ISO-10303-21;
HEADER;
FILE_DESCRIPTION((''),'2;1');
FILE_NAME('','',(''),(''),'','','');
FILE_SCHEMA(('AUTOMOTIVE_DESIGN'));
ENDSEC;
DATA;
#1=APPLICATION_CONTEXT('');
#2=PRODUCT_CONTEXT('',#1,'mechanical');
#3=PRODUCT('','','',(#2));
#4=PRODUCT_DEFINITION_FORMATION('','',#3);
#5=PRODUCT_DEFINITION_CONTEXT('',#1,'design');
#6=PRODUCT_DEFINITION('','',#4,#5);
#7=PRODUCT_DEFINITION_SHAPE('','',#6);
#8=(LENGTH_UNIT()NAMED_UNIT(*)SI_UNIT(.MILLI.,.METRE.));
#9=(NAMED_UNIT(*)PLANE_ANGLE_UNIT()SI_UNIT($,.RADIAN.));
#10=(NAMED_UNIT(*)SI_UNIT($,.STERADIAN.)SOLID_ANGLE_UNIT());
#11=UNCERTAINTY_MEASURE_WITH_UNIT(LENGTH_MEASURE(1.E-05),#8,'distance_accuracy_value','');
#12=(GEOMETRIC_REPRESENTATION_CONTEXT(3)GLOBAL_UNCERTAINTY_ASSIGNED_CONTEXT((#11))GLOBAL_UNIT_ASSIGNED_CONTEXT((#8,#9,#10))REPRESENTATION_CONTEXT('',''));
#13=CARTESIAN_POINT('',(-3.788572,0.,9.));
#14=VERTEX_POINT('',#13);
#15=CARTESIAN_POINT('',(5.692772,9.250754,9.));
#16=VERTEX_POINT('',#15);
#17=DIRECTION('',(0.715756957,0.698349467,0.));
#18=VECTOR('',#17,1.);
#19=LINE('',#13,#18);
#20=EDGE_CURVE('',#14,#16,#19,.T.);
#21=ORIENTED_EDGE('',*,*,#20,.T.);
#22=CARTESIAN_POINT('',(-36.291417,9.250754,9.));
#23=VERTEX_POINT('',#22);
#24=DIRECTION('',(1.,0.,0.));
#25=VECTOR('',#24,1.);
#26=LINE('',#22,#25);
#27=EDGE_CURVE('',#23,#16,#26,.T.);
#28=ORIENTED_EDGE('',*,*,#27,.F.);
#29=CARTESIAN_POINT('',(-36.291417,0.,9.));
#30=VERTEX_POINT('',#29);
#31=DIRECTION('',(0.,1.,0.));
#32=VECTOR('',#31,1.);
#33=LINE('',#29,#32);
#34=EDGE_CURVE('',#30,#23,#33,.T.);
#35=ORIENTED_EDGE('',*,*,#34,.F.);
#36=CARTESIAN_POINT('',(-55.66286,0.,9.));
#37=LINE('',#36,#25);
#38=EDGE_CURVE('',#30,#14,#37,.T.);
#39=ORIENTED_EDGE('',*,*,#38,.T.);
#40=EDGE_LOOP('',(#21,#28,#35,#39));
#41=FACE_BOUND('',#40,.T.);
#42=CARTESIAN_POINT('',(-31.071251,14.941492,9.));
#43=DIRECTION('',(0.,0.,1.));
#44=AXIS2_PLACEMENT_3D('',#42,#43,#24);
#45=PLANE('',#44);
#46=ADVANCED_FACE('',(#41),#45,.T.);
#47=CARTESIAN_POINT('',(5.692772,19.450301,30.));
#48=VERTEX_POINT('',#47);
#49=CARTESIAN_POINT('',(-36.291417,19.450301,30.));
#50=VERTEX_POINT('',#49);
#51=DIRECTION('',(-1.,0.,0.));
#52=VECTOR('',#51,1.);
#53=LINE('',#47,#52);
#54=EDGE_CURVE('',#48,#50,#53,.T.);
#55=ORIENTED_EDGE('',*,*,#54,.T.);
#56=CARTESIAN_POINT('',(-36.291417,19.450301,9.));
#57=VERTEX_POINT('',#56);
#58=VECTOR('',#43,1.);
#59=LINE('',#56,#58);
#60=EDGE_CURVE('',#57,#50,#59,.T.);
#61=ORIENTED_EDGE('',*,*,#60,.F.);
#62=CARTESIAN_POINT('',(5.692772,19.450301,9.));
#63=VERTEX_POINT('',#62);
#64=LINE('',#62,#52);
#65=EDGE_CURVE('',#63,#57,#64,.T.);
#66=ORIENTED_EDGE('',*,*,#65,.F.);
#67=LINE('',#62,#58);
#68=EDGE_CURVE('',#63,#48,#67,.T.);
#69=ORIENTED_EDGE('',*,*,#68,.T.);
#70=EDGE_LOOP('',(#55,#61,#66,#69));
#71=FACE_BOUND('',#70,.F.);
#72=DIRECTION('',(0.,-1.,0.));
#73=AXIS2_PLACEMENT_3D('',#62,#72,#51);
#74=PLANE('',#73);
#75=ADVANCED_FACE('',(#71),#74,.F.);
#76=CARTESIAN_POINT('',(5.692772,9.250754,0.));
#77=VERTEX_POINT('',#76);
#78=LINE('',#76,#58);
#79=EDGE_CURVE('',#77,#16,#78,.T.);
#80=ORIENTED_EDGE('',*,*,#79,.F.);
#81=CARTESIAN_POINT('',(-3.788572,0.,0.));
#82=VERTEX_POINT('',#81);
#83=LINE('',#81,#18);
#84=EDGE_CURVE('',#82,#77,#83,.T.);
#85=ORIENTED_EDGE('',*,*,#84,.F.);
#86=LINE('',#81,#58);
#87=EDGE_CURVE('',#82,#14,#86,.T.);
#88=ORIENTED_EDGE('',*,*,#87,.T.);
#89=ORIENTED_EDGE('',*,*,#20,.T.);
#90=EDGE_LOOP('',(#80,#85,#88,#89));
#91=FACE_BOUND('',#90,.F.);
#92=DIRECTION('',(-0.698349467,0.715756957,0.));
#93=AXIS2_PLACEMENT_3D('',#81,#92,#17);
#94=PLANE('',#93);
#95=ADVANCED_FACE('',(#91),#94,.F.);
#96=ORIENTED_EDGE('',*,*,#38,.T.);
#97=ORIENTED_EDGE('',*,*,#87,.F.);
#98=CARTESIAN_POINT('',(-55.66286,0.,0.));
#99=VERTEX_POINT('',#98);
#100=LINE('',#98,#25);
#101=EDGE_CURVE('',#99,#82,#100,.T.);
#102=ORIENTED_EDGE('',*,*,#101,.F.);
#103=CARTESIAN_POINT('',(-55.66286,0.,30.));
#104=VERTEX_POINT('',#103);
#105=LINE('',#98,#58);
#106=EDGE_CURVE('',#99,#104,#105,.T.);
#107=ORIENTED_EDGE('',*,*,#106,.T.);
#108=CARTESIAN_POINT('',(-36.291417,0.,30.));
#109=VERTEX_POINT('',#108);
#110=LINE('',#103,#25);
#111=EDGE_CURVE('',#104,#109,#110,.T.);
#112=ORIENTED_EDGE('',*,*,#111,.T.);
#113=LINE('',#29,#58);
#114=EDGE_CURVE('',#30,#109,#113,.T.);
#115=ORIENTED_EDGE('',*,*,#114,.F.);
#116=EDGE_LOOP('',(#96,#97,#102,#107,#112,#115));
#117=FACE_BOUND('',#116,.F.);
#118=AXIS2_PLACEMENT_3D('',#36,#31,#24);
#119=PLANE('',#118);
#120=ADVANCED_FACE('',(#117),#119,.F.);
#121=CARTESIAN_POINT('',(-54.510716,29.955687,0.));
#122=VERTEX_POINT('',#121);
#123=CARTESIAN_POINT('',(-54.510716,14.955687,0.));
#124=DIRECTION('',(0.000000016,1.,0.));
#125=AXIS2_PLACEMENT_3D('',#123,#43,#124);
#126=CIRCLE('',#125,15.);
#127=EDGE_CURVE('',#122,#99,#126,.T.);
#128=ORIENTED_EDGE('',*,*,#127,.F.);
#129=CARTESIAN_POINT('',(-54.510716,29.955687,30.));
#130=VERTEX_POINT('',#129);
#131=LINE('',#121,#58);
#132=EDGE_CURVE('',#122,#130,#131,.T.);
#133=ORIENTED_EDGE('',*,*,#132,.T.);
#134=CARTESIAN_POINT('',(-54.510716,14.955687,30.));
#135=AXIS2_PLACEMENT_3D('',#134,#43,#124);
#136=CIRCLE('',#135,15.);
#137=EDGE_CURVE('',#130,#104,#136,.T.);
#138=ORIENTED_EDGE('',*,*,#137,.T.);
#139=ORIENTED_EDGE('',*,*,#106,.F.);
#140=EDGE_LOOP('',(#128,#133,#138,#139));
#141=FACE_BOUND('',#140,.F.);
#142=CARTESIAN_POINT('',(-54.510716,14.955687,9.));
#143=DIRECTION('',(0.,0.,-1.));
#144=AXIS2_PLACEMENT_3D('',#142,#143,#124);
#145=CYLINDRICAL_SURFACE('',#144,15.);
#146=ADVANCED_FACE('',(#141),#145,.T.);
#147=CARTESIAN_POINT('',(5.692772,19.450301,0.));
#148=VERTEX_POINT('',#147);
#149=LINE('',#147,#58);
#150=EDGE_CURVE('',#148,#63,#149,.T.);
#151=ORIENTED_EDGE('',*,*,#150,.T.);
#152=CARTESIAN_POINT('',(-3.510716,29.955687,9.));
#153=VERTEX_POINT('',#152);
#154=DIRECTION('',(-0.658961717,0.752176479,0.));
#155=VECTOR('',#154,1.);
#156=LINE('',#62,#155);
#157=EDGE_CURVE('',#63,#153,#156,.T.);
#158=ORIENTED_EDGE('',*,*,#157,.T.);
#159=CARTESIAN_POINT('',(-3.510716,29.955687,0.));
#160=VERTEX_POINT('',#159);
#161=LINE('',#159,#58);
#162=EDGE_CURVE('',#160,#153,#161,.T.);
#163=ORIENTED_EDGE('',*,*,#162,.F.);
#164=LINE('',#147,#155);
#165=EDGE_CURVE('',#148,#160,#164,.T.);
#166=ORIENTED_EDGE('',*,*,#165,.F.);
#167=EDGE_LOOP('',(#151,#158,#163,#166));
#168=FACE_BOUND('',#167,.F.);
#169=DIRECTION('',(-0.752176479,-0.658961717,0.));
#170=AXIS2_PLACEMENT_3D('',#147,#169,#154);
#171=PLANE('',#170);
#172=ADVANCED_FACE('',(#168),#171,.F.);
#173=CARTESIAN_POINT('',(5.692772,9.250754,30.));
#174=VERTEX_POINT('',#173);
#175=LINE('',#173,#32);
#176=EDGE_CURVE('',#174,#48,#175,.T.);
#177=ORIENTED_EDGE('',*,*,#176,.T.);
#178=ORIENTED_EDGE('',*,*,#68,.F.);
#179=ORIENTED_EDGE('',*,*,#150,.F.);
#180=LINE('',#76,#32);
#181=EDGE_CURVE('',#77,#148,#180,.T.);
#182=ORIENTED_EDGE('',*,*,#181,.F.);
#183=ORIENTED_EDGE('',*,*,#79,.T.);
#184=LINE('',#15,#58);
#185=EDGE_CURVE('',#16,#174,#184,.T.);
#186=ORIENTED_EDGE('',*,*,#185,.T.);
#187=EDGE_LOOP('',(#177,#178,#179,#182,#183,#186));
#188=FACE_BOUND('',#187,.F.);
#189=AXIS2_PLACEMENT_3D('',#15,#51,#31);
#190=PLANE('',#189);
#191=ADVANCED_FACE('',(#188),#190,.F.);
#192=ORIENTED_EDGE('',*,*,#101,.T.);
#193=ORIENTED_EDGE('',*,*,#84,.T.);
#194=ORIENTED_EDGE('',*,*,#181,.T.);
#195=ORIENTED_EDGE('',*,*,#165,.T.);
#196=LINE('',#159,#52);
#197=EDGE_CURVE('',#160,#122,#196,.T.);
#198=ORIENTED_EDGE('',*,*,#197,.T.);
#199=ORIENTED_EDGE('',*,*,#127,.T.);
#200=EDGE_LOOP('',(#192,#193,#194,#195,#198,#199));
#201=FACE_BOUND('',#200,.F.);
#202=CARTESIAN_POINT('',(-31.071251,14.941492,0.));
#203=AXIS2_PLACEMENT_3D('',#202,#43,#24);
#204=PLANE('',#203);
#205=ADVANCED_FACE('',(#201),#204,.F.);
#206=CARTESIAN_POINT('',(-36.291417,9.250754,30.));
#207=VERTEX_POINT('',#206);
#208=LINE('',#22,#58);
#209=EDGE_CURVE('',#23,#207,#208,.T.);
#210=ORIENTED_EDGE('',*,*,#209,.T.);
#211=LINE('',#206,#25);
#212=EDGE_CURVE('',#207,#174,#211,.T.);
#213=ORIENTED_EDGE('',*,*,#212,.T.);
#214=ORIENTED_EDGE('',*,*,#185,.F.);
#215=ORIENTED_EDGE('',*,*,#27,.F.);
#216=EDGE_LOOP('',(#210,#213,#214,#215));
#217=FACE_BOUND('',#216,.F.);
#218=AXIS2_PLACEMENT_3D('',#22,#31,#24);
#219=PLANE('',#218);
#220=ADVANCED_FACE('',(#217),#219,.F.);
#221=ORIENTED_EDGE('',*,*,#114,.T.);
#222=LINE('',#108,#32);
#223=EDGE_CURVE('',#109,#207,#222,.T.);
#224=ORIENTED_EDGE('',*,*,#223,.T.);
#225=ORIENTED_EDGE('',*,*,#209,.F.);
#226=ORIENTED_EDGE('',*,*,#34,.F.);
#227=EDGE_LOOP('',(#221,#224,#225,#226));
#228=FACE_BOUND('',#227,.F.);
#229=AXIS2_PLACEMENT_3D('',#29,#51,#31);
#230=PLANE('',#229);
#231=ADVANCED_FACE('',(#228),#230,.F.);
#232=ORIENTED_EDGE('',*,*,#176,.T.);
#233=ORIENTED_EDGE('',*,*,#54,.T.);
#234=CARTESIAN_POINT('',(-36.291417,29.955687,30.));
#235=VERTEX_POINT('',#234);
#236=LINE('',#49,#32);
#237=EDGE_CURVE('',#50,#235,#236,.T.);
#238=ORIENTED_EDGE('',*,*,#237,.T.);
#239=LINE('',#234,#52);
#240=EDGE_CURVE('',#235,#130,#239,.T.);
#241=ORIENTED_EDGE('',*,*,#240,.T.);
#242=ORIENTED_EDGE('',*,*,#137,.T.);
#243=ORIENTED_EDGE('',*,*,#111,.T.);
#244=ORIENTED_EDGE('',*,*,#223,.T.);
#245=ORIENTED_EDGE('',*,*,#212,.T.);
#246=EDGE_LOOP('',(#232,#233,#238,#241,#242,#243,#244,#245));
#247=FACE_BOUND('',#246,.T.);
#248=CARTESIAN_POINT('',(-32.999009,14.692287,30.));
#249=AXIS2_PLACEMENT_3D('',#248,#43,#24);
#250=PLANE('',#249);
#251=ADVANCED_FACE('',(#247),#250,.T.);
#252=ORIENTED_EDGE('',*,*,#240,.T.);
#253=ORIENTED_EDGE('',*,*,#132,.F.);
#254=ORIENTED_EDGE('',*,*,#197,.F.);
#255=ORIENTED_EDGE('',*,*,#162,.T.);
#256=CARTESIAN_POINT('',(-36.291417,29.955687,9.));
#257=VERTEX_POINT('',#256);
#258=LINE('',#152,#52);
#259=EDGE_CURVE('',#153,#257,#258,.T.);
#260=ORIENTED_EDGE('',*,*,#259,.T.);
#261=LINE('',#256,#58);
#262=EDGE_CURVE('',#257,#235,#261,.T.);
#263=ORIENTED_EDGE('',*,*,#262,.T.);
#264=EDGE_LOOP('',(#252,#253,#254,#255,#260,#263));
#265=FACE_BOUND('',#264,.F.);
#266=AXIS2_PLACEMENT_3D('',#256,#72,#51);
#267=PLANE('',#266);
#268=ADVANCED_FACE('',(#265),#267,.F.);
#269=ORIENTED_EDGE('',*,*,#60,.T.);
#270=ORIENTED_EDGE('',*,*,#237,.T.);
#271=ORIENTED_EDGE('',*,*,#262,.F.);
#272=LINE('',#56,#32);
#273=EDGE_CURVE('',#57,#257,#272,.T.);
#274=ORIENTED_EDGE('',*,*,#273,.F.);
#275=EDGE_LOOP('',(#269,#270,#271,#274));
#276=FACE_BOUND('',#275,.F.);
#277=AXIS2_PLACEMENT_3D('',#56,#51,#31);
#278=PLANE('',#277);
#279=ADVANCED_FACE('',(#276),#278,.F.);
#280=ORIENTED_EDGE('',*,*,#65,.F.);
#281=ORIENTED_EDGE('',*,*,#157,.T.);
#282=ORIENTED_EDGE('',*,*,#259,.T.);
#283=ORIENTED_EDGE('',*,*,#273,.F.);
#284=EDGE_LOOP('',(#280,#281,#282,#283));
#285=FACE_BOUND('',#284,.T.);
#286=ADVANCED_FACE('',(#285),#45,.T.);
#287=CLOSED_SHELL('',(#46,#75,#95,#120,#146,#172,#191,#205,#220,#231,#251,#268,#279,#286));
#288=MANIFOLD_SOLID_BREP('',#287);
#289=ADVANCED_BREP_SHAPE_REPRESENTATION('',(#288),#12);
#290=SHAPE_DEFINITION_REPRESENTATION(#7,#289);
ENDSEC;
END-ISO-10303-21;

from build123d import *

# Parameters (mm, degrees)
F1_DEPTH = 9
F3_DEPTH = 21


with BuildPart() as f1:
    # F0 (on Top) → F1 (new body)
    with BuildSketch(Plane.XY):
        with BuildLine():
            Line((5.692772, 19.450301), (-3.510716, 29.955687))
            Line((-3.510716, 29.955687), (-54.510716, 29.955687))
            ThreePointArc((-54.510716, 29.955687), (-69.499634, 15.532184), (-55.66286, 0))
            Line((-55.66286, 0), (-3.788572, 0))
            Line((-3.788572, 0), (5.692772, 9.250754))
            Line((5.692772, 9.250754), (5.692772, 19.450301))
        make_face()
    extrude(amount=F1_DEPTH)

    # F2 (on face) → F3 (join)
    with BuildSketch(Plane.XY.offset(9)):
        with BuildLine():
            Line((5.692772, 9.250754), (5.692772, 19.450301))
            Line((5.692772, 19.450301), (-36.291417, 19.450301))
            Line((-36.291417, 19.450301), (-36.291417, 29.955687))
            Line((-36.291417, 29.955687), (-54.510716, 29.955687))
            ThreePointArc((-54.510716, 29.955687), (-69.499634, 15.532184), (-55.66286, 0))
            Line((-55.66286, 0), (-36.291417, 0))
            Line((-36.291417, 0), (-36.291417, 9.250754))
            Line((-36.291417, 9.250754), (5.692772, 9.250754))
        make_face()
    extrude(amount=F3_DEPTH)


solid = f1.part
